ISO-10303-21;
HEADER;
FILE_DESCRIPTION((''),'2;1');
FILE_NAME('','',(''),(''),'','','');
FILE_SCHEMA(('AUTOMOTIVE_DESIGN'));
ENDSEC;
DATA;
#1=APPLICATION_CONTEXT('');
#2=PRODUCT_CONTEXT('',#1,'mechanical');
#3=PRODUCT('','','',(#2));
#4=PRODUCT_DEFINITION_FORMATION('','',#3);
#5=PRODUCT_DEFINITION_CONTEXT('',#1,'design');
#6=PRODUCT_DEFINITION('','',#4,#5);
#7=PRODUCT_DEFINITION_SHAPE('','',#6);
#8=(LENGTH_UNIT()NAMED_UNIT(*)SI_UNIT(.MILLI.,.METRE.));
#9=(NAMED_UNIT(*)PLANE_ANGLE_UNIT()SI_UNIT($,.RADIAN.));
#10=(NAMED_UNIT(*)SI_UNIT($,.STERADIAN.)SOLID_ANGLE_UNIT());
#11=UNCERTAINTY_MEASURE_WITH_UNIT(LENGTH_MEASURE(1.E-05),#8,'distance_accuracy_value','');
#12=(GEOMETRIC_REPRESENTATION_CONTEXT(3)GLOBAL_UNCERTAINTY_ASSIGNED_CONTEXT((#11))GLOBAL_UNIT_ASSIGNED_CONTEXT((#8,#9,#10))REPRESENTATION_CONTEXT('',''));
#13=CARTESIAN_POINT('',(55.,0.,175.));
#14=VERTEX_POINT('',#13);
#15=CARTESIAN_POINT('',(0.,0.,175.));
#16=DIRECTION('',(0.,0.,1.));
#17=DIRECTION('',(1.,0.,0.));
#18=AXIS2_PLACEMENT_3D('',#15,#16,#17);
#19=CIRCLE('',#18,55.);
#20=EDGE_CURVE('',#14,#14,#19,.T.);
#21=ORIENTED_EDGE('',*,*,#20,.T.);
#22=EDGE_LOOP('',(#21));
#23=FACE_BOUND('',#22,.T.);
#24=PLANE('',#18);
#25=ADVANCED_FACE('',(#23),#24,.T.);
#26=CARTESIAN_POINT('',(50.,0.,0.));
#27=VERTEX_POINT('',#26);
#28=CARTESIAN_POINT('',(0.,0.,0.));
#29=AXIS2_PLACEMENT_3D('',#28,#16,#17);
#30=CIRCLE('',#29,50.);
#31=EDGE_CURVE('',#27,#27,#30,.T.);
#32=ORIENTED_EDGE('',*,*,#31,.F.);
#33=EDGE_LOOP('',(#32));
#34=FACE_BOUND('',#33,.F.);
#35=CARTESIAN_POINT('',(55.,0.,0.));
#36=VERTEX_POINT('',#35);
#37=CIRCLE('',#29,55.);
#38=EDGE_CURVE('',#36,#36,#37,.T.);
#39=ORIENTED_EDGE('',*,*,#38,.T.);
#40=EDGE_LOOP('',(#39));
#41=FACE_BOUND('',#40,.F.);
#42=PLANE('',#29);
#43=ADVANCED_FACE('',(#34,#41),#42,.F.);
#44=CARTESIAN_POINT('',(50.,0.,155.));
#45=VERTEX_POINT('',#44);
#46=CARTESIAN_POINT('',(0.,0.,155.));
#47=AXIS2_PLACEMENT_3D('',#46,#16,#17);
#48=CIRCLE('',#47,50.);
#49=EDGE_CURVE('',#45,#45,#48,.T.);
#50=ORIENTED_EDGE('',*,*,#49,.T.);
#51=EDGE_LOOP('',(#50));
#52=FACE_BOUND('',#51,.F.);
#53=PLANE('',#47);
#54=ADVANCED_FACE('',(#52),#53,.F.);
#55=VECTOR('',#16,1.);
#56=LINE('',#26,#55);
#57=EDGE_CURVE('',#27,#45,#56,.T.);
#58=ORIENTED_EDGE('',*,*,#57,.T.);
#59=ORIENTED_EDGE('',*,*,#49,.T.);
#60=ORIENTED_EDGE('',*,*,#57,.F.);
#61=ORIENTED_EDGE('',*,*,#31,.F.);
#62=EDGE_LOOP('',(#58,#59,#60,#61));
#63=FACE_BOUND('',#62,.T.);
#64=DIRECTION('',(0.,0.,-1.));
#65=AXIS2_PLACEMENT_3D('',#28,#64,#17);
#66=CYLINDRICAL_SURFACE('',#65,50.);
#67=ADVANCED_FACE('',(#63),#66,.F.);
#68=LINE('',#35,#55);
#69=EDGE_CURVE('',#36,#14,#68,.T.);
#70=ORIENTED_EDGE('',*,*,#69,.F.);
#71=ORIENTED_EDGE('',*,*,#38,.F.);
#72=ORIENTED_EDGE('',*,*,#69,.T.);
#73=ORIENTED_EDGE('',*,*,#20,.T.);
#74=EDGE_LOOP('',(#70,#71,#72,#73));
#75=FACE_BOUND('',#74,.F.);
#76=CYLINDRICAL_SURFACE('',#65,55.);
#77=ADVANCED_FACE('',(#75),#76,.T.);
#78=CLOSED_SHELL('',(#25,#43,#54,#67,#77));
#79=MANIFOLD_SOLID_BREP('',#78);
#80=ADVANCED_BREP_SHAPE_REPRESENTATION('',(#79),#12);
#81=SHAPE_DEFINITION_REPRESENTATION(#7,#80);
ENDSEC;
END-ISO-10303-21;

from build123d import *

# Parameters (mm, degrees)
F0_R     = 55
F2_DEPTH = 175
F1_R     = 50
F3_DEPTH = 155


with BuildPart() as f2:
    # F0 (on Top) → F2 (new body)
    with BuildSketch(Plane.XY):
        Circle(F0_R)
    extrude(amount=F2_DEPTH)

    # F1 (on face) → F3 (cut)
    with BuildSketch(Plane.XY):
        Circle(F1_R)
    extrude(amount=F3_DEPTH, mode=Mode.SUBTRACT)


solid = f2.part
